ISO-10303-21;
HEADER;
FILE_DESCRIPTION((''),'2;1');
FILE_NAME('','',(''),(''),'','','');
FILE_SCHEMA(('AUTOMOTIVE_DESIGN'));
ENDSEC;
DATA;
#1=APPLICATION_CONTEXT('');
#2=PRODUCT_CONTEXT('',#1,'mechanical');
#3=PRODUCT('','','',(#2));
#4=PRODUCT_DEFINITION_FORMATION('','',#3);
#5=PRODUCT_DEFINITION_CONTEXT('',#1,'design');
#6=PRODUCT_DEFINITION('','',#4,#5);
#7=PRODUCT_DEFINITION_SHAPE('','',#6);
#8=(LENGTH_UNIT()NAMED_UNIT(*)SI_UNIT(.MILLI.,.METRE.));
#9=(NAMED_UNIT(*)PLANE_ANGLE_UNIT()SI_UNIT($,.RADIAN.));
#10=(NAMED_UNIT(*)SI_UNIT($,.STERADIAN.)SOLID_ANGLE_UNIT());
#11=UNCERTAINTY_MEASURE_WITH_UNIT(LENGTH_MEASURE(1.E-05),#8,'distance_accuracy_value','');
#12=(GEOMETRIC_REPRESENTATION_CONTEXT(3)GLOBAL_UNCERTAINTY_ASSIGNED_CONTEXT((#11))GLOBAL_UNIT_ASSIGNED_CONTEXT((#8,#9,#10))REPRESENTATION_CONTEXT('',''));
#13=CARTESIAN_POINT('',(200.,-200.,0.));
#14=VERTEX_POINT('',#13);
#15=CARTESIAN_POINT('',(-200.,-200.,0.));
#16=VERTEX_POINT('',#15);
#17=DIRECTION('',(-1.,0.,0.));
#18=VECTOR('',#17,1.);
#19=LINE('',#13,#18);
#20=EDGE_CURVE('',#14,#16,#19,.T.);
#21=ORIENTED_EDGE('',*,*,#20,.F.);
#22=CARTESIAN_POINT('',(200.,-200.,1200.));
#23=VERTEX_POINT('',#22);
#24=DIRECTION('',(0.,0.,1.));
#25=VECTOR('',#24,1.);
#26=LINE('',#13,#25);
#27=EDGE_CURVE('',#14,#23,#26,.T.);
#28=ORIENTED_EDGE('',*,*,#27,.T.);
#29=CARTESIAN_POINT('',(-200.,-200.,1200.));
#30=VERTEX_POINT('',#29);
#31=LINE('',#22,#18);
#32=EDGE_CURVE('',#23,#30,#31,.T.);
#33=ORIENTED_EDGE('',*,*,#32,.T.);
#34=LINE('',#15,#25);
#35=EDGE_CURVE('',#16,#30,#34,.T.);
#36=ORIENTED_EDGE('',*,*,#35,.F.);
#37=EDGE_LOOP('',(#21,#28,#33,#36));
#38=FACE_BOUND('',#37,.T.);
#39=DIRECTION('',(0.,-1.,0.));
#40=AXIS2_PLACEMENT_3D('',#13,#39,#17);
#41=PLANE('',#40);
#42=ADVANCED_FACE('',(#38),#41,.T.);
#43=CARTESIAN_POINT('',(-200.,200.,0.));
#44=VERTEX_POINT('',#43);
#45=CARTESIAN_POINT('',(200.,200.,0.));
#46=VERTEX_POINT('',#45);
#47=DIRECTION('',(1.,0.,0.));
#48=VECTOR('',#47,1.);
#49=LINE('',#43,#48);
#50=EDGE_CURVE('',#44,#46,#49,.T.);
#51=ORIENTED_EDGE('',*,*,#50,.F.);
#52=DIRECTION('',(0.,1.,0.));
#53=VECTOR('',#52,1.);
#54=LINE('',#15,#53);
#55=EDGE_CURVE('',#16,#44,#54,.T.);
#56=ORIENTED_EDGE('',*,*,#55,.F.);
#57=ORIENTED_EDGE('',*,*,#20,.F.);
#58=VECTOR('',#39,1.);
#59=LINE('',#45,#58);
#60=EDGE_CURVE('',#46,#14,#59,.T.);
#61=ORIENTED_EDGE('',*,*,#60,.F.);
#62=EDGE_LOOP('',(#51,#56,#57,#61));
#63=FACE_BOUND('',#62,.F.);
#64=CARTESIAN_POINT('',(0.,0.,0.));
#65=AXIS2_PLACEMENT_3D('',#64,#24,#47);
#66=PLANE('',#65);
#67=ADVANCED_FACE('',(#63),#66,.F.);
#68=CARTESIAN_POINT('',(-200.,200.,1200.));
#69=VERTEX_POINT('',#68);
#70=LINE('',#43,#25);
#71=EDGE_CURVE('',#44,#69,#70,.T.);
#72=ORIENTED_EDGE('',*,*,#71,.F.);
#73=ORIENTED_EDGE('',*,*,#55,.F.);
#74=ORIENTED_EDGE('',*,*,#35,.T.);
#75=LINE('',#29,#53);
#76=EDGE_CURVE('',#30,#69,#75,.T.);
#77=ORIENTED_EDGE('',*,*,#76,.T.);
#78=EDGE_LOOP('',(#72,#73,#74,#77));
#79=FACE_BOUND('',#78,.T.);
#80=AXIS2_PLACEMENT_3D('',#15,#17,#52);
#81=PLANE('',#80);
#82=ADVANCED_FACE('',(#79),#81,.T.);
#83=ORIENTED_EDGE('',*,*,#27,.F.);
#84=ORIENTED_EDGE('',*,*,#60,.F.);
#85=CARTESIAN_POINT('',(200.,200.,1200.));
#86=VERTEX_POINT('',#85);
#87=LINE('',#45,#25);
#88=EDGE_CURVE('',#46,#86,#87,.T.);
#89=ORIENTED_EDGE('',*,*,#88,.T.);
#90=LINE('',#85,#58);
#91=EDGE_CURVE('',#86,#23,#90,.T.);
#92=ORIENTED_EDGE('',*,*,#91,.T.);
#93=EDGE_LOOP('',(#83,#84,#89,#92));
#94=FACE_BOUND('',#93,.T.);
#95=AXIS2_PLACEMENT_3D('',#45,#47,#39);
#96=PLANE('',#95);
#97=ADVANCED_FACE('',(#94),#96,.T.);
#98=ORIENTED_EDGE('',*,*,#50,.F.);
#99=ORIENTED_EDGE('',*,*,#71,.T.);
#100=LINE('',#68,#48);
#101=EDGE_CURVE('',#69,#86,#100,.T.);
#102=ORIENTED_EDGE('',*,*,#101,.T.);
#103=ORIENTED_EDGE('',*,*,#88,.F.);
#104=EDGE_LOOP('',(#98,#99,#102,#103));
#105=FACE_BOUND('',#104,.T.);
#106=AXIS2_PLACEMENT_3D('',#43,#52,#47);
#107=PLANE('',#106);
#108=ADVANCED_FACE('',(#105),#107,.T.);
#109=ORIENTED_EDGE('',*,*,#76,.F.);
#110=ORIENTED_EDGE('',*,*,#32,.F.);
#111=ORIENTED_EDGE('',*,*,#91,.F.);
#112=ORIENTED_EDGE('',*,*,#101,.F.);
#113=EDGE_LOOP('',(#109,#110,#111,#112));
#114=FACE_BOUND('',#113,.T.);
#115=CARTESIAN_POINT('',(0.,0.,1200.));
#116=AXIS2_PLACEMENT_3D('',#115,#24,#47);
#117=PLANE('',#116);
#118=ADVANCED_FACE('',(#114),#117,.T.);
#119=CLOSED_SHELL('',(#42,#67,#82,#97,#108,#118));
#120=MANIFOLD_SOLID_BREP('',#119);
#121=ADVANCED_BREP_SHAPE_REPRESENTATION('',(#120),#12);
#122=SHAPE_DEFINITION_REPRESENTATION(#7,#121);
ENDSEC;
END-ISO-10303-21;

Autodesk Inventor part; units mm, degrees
ref_plane "YZ Plane" through (0, 0, 0) normal (1, 0, 0) x (0, 1, 0)
ref_plane "XZ Plane" through (0, 0, 0) normal (0, 1, 0) x (-1, 0, 0)
ref_plane "XY Plane" through (0, 0, 0) normal (0, 0, 1) x (1, 0, 0)
sketch "Sketch1" plane through (0, 0, 0) normal (0, 0, 1) x (1, 0, 0)
  line L0 (-200, 200) -> (200, 200)
  line L1 (200, 200) -> (200, -200)
  line L2 (200, -200) -> (-200, -200)
  line L3 (-200, -200) -> (-200, 200)
  line L4 (-200, -200) -> (200, 200) construction
  point P0 (0, 0)
  point P1 (0, 0)
  dimension "d0" = 400
  dimension "d1" = 400
extrude "Extrusion1" add sketch "Sketch1" along normal blind 1200
equation "\"d0\" = Длина"
equation "\"d1\" = Ширина"
equation "\"d2\" = Высота"
equation "\"Длина\" = 400"
equation "\"Ширина\" = 400"
equation "\"Высота\" = 1200"
properties part number "Coagulant barrel"
